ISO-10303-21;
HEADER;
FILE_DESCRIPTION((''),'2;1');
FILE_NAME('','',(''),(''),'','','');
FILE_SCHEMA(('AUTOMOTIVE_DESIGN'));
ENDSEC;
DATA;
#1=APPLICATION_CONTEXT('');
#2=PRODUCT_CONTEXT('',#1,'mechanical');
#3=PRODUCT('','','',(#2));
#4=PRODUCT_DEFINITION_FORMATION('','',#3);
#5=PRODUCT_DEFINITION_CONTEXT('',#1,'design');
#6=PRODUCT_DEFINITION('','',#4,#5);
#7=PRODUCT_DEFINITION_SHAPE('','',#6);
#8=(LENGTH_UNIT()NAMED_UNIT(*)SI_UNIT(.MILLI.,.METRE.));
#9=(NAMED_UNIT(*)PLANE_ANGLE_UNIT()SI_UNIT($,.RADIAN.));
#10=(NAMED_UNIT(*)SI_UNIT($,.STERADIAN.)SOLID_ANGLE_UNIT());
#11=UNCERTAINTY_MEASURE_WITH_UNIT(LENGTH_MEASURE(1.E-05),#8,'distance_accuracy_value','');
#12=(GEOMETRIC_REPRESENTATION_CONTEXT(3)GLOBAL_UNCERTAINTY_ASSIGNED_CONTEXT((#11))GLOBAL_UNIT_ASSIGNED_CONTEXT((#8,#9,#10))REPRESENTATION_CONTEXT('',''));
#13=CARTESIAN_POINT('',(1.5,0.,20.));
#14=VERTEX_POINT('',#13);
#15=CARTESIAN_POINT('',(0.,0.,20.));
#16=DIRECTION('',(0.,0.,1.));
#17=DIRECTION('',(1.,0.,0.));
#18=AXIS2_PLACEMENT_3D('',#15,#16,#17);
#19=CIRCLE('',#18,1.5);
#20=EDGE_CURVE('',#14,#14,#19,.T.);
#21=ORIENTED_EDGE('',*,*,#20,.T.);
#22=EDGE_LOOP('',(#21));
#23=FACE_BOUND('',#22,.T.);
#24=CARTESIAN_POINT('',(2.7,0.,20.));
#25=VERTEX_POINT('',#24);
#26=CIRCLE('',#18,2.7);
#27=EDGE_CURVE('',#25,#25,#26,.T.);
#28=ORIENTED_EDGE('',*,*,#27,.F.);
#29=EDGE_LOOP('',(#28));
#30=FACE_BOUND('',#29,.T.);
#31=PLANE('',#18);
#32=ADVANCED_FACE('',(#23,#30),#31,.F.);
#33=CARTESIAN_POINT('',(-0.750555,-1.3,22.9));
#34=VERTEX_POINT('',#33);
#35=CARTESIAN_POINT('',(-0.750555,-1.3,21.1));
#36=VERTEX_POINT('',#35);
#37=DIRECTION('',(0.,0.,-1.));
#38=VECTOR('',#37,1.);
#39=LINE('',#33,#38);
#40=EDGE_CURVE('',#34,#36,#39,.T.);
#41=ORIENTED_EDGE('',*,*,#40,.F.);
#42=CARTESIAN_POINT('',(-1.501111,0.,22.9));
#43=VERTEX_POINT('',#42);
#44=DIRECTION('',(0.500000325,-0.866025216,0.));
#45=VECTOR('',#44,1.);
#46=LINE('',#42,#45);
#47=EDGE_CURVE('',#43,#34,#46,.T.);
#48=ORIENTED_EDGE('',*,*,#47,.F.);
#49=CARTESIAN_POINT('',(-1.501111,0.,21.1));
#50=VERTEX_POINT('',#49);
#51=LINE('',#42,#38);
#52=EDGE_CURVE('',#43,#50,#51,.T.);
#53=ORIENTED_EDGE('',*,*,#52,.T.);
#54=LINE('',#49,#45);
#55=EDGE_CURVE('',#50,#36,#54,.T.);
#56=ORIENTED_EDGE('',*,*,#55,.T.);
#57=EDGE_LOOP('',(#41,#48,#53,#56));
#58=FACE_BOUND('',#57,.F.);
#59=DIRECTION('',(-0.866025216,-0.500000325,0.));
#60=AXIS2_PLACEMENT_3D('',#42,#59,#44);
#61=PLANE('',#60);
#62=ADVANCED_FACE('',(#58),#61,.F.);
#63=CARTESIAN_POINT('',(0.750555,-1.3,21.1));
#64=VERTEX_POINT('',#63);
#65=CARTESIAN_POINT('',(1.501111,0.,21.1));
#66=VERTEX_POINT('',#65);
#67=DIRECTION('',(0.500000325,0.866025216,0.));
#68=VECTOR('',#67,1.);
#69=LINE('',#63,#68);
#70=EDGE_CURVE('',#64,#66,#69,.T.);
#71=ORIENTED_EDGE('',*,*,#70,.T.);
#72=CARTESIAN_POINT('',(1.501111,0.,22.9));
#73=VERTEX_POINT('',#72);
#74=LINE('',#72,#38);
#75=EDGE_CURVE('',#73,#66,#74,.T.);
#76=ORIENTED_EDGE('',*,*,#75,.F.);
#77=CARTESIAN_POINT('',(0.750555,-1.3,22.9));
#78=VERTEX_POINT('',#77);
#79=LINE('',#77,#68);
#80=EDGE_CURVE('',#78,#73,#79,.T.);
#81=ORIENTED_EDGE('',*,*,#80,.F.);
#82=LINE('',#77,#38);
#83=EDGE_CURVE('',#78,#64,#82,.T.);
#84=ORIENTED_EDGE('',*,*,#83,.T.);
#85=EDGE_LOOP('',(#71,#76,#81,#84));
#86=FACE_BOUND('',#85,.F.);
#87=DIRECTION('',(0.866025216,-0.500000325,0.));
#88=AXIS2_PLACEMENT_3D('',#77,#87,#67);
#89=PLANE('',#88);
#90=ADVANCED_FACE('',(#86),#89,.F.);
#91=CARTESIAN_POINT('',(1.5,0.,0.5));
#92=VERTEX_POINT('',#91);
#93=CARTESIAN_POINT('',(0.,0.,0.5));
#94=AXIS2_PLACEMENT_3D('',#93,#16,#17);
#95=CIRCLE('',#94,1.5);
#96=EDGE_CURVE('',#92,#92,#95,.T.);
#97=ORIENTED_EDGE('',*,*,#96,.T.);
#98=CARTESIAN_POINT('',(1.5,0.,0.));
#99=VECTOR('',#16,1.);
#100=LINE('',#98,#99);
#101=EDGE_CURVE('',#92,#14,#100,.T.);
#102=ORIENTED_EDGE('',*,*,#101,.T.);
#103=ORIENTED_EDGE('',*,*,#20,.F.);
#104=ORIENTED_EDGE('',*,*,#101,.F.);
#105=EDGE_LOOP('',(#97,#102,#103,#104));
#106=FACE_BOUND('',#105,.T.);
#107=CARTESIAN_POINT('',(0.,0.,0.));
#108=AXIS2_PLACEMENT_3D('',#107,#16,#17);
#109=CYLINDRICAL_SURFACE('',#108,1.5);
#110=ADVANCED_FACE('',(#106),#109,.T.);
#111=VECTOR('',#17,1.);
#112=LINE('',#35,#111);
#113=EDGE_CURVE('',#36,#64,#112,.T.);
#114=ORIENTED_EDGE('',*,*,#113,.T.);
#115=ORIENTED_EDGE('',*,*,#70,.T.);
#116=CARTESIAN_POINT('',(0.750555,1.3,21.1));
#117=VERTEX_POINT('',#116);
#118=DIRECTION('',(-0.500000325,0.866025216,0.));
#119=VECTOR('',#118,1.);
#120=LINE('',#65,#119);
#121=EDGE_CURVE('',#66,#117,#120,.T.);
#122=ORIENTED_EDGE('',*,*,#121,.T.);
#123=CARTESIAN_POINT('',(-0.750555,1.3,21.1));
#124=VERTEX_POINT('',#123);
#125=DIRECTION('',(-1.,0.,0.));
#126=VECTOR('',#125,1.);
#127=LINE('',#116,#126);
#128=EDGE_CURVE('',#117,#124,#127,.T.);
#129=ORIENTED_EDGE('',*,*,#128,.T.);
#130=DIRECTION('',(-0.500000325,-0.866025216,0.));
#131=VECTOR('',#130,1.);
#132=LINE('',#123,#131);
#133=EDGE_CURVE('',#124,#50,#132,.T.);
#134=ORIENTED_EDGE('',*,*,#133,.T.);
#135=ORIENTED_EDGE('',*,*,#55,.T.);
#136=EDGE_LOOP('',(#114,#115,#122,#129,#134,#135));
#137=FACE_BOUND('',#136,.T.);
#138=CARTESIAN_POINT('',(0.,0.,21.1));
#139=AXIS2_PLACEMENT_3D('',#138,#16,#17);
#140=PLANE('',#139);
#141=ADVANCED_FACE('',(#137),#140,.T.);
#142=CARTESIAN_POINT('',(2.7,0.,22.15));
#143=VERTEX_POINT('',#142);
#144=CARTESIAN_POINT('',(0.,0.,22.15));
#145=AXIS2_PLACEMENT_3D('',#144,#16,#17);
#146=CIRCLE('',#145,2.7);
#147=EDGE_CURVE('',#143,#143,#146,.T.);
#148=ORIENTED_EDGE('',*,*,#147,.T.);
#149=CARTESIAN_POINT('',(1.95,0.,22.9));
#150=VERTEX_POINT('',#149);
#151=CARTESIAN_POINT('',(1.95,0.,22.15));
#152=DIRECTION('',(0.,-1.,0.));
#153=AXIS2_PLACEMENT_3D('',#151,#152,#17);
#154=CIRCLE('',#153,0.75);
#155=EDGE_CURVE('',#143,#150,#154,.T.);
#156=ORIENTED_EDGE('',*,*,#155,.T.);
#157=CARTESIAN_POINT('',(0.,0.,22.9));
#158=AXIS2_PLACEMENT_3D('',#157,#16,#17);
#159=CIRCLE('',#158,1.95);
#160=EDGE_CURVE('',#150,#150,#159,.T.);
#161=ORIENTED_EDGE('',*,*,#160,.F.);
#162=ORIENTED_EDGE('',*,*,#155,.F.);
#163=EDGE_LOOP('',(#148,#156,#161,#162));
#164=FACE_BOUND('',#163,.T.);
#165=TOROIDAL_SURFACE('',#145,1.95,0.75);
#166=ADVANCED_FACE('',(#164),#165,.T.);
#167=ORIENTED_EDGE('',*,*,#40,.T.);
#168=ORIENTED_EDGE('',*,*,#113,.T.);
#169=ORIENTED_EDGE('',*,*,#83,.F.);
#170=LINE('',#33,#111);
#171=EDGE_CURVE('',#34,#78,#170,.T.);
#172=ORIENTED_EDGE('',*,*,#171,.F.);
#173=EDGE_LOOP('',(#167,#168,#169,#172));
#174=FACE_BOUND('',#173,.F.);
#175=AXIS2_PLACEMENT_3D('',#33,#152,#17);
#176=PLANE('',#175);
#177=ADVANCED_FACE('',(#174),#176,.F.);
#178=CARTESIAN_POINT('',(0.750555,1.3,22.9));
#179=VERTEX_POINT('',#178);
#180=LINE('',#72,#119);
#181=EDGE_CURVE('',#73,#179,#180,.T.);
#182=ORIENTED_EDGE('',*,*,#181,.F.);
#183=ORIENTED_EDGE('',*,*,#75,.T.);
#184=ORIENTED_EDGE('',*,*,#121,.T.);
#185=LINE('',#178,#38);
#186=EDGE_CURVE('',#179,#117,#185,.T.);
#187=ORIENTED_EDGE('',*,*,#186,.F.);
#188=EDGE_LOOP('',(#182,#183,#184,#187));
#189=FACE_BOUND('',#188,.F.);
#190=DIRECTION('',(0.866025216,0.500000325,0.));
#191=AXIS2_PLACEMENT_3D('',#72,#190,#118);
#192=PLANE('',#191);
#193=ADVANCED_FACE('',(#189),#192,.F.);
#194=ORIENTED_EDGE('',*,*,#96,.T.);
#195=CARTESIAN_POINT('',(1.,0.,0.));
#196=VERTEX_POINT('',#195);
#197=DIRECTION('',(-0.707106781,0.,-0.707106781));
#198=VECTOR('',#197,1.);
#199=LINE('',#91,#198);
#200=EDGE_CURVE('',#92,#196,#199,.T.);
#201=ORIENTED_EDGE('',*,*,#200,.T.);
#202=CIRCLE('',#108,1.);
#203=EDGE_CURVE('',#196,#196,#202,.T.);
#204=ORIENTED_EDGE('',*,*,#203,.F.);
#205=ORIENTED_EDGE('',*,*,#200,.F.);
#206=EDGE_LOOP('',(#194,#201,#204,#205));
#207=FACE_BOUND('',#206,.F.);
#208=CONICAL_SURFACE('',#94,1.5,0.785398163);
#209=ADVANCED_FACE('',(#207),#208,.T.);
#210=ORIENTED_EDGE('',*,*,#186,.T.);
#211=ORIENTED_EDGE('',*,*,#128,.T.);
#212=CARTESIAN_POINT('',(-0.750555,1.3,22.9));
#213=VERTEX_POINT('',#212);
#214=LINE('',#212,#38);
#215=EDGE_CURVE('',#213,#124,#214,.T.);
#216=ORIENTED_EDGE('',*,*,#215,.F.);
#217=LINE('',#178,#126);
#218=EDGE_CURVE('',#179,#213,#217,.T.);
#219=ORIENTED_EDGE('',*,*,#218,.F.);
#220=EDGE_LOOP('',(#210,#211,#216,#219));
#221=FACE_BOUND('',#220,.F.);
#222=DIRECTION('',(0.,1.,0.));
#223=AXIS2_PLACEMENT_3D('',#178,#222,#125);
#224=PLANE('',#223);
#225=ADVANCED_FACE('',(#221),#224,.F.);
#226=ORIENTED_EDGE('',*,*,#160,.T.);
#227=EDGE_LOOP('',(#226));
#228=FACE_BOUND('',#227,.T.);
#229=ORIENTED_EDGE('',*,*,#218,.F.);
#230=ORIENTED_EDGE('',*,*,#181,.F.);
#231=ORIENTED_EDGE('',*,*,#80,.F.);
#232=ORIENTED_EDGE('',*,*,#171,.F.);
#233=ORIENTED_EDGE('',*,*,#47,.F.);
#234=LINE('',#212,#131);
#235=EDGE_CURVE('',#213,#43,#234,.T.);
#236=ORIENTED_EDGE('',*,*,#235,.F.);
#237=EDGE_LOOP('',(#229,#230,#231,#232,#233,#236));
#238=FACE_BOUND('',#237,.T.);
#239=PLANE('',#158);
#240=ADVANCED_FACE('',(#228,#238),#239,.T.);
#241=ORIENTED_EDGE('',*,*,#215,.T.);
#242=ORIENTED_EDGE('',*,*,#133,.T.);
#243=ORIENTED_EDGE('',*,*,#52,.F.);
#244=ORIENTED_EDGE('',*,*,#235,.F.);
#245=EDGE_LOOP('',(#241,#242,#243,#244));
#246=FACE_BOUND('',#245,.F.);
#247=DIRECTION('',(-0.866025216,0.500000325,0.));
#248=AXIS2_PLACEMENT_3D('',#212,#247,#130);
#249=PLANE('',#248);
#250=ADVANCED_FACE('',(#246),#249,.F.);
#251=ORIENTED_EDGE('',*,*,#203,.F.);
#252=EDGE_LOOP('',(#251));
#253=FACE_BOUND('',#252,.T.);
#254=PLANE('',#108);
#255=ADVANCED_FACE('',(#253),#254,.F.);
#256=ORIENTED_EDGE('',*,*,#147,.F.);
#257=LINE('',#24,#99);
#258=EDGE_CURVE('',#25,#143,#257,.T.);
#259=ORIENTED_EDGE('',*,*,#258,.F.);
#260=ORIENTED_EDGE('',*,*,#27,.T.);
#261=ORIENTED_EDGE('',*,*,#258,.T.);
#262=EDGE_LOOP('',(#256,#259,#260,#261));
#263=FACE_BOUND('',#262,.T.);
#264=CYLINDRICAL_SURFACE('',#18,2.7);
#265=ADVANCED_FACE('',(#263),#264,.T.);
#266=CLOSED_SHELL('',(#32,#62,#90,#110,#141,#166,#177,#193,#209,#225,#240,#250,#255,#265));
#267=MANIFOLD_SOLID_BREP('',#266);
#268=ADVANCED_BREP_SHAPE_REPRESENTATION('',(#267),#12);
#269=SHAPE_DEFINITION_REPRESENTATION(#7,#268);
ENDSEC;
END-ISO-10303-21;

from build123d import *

# Parameters (mm, degrees)
F3_DEPTH = 1.8
F4_R     = 0.75
F5_SIZE  = 0.5


with BuildPart() as f1:
    # F0 (on Front) → F1 (revolve)
    with BuildSketch(Plane.XZ):
        Polygon((0, 22.9), (0, 0), (1.5, 0), (1.5, 20), (2.7, 20), (2.7, 22.9), align=None)
    revolve(axis=Axis((0, 0, 11.45), (0, 0, 1)))

    # F2 (on face) → F3 (cut)
    with BuildSketch(Plane.XY.offset(22.9)):
        Polygon((0.750555, 1.3), (-0.750555, 1.3), (-1.501111, 0), (-0.750555, -1.3), (0.750555, -1.3), (1.501111, 0), align=None)
    extrude(amount=-F3_DEPTH, mode=Mode.SUBTRACT)

    # F4
    f4_edges = [f1.edges().sort_by_distance(p)[0] for p in [
        (-2.7, 0, 22.9),
    ]]
    fillet(f4_edges, radius=F4_R)

    # F5
    f5_edges = [f1.edges().sort_by_distance(p)[0] for p in [
        (-1.5, 0, 0),
    ]]
    chamfer(f5_edges, length=F5_SIZE)


solid = f1.part
